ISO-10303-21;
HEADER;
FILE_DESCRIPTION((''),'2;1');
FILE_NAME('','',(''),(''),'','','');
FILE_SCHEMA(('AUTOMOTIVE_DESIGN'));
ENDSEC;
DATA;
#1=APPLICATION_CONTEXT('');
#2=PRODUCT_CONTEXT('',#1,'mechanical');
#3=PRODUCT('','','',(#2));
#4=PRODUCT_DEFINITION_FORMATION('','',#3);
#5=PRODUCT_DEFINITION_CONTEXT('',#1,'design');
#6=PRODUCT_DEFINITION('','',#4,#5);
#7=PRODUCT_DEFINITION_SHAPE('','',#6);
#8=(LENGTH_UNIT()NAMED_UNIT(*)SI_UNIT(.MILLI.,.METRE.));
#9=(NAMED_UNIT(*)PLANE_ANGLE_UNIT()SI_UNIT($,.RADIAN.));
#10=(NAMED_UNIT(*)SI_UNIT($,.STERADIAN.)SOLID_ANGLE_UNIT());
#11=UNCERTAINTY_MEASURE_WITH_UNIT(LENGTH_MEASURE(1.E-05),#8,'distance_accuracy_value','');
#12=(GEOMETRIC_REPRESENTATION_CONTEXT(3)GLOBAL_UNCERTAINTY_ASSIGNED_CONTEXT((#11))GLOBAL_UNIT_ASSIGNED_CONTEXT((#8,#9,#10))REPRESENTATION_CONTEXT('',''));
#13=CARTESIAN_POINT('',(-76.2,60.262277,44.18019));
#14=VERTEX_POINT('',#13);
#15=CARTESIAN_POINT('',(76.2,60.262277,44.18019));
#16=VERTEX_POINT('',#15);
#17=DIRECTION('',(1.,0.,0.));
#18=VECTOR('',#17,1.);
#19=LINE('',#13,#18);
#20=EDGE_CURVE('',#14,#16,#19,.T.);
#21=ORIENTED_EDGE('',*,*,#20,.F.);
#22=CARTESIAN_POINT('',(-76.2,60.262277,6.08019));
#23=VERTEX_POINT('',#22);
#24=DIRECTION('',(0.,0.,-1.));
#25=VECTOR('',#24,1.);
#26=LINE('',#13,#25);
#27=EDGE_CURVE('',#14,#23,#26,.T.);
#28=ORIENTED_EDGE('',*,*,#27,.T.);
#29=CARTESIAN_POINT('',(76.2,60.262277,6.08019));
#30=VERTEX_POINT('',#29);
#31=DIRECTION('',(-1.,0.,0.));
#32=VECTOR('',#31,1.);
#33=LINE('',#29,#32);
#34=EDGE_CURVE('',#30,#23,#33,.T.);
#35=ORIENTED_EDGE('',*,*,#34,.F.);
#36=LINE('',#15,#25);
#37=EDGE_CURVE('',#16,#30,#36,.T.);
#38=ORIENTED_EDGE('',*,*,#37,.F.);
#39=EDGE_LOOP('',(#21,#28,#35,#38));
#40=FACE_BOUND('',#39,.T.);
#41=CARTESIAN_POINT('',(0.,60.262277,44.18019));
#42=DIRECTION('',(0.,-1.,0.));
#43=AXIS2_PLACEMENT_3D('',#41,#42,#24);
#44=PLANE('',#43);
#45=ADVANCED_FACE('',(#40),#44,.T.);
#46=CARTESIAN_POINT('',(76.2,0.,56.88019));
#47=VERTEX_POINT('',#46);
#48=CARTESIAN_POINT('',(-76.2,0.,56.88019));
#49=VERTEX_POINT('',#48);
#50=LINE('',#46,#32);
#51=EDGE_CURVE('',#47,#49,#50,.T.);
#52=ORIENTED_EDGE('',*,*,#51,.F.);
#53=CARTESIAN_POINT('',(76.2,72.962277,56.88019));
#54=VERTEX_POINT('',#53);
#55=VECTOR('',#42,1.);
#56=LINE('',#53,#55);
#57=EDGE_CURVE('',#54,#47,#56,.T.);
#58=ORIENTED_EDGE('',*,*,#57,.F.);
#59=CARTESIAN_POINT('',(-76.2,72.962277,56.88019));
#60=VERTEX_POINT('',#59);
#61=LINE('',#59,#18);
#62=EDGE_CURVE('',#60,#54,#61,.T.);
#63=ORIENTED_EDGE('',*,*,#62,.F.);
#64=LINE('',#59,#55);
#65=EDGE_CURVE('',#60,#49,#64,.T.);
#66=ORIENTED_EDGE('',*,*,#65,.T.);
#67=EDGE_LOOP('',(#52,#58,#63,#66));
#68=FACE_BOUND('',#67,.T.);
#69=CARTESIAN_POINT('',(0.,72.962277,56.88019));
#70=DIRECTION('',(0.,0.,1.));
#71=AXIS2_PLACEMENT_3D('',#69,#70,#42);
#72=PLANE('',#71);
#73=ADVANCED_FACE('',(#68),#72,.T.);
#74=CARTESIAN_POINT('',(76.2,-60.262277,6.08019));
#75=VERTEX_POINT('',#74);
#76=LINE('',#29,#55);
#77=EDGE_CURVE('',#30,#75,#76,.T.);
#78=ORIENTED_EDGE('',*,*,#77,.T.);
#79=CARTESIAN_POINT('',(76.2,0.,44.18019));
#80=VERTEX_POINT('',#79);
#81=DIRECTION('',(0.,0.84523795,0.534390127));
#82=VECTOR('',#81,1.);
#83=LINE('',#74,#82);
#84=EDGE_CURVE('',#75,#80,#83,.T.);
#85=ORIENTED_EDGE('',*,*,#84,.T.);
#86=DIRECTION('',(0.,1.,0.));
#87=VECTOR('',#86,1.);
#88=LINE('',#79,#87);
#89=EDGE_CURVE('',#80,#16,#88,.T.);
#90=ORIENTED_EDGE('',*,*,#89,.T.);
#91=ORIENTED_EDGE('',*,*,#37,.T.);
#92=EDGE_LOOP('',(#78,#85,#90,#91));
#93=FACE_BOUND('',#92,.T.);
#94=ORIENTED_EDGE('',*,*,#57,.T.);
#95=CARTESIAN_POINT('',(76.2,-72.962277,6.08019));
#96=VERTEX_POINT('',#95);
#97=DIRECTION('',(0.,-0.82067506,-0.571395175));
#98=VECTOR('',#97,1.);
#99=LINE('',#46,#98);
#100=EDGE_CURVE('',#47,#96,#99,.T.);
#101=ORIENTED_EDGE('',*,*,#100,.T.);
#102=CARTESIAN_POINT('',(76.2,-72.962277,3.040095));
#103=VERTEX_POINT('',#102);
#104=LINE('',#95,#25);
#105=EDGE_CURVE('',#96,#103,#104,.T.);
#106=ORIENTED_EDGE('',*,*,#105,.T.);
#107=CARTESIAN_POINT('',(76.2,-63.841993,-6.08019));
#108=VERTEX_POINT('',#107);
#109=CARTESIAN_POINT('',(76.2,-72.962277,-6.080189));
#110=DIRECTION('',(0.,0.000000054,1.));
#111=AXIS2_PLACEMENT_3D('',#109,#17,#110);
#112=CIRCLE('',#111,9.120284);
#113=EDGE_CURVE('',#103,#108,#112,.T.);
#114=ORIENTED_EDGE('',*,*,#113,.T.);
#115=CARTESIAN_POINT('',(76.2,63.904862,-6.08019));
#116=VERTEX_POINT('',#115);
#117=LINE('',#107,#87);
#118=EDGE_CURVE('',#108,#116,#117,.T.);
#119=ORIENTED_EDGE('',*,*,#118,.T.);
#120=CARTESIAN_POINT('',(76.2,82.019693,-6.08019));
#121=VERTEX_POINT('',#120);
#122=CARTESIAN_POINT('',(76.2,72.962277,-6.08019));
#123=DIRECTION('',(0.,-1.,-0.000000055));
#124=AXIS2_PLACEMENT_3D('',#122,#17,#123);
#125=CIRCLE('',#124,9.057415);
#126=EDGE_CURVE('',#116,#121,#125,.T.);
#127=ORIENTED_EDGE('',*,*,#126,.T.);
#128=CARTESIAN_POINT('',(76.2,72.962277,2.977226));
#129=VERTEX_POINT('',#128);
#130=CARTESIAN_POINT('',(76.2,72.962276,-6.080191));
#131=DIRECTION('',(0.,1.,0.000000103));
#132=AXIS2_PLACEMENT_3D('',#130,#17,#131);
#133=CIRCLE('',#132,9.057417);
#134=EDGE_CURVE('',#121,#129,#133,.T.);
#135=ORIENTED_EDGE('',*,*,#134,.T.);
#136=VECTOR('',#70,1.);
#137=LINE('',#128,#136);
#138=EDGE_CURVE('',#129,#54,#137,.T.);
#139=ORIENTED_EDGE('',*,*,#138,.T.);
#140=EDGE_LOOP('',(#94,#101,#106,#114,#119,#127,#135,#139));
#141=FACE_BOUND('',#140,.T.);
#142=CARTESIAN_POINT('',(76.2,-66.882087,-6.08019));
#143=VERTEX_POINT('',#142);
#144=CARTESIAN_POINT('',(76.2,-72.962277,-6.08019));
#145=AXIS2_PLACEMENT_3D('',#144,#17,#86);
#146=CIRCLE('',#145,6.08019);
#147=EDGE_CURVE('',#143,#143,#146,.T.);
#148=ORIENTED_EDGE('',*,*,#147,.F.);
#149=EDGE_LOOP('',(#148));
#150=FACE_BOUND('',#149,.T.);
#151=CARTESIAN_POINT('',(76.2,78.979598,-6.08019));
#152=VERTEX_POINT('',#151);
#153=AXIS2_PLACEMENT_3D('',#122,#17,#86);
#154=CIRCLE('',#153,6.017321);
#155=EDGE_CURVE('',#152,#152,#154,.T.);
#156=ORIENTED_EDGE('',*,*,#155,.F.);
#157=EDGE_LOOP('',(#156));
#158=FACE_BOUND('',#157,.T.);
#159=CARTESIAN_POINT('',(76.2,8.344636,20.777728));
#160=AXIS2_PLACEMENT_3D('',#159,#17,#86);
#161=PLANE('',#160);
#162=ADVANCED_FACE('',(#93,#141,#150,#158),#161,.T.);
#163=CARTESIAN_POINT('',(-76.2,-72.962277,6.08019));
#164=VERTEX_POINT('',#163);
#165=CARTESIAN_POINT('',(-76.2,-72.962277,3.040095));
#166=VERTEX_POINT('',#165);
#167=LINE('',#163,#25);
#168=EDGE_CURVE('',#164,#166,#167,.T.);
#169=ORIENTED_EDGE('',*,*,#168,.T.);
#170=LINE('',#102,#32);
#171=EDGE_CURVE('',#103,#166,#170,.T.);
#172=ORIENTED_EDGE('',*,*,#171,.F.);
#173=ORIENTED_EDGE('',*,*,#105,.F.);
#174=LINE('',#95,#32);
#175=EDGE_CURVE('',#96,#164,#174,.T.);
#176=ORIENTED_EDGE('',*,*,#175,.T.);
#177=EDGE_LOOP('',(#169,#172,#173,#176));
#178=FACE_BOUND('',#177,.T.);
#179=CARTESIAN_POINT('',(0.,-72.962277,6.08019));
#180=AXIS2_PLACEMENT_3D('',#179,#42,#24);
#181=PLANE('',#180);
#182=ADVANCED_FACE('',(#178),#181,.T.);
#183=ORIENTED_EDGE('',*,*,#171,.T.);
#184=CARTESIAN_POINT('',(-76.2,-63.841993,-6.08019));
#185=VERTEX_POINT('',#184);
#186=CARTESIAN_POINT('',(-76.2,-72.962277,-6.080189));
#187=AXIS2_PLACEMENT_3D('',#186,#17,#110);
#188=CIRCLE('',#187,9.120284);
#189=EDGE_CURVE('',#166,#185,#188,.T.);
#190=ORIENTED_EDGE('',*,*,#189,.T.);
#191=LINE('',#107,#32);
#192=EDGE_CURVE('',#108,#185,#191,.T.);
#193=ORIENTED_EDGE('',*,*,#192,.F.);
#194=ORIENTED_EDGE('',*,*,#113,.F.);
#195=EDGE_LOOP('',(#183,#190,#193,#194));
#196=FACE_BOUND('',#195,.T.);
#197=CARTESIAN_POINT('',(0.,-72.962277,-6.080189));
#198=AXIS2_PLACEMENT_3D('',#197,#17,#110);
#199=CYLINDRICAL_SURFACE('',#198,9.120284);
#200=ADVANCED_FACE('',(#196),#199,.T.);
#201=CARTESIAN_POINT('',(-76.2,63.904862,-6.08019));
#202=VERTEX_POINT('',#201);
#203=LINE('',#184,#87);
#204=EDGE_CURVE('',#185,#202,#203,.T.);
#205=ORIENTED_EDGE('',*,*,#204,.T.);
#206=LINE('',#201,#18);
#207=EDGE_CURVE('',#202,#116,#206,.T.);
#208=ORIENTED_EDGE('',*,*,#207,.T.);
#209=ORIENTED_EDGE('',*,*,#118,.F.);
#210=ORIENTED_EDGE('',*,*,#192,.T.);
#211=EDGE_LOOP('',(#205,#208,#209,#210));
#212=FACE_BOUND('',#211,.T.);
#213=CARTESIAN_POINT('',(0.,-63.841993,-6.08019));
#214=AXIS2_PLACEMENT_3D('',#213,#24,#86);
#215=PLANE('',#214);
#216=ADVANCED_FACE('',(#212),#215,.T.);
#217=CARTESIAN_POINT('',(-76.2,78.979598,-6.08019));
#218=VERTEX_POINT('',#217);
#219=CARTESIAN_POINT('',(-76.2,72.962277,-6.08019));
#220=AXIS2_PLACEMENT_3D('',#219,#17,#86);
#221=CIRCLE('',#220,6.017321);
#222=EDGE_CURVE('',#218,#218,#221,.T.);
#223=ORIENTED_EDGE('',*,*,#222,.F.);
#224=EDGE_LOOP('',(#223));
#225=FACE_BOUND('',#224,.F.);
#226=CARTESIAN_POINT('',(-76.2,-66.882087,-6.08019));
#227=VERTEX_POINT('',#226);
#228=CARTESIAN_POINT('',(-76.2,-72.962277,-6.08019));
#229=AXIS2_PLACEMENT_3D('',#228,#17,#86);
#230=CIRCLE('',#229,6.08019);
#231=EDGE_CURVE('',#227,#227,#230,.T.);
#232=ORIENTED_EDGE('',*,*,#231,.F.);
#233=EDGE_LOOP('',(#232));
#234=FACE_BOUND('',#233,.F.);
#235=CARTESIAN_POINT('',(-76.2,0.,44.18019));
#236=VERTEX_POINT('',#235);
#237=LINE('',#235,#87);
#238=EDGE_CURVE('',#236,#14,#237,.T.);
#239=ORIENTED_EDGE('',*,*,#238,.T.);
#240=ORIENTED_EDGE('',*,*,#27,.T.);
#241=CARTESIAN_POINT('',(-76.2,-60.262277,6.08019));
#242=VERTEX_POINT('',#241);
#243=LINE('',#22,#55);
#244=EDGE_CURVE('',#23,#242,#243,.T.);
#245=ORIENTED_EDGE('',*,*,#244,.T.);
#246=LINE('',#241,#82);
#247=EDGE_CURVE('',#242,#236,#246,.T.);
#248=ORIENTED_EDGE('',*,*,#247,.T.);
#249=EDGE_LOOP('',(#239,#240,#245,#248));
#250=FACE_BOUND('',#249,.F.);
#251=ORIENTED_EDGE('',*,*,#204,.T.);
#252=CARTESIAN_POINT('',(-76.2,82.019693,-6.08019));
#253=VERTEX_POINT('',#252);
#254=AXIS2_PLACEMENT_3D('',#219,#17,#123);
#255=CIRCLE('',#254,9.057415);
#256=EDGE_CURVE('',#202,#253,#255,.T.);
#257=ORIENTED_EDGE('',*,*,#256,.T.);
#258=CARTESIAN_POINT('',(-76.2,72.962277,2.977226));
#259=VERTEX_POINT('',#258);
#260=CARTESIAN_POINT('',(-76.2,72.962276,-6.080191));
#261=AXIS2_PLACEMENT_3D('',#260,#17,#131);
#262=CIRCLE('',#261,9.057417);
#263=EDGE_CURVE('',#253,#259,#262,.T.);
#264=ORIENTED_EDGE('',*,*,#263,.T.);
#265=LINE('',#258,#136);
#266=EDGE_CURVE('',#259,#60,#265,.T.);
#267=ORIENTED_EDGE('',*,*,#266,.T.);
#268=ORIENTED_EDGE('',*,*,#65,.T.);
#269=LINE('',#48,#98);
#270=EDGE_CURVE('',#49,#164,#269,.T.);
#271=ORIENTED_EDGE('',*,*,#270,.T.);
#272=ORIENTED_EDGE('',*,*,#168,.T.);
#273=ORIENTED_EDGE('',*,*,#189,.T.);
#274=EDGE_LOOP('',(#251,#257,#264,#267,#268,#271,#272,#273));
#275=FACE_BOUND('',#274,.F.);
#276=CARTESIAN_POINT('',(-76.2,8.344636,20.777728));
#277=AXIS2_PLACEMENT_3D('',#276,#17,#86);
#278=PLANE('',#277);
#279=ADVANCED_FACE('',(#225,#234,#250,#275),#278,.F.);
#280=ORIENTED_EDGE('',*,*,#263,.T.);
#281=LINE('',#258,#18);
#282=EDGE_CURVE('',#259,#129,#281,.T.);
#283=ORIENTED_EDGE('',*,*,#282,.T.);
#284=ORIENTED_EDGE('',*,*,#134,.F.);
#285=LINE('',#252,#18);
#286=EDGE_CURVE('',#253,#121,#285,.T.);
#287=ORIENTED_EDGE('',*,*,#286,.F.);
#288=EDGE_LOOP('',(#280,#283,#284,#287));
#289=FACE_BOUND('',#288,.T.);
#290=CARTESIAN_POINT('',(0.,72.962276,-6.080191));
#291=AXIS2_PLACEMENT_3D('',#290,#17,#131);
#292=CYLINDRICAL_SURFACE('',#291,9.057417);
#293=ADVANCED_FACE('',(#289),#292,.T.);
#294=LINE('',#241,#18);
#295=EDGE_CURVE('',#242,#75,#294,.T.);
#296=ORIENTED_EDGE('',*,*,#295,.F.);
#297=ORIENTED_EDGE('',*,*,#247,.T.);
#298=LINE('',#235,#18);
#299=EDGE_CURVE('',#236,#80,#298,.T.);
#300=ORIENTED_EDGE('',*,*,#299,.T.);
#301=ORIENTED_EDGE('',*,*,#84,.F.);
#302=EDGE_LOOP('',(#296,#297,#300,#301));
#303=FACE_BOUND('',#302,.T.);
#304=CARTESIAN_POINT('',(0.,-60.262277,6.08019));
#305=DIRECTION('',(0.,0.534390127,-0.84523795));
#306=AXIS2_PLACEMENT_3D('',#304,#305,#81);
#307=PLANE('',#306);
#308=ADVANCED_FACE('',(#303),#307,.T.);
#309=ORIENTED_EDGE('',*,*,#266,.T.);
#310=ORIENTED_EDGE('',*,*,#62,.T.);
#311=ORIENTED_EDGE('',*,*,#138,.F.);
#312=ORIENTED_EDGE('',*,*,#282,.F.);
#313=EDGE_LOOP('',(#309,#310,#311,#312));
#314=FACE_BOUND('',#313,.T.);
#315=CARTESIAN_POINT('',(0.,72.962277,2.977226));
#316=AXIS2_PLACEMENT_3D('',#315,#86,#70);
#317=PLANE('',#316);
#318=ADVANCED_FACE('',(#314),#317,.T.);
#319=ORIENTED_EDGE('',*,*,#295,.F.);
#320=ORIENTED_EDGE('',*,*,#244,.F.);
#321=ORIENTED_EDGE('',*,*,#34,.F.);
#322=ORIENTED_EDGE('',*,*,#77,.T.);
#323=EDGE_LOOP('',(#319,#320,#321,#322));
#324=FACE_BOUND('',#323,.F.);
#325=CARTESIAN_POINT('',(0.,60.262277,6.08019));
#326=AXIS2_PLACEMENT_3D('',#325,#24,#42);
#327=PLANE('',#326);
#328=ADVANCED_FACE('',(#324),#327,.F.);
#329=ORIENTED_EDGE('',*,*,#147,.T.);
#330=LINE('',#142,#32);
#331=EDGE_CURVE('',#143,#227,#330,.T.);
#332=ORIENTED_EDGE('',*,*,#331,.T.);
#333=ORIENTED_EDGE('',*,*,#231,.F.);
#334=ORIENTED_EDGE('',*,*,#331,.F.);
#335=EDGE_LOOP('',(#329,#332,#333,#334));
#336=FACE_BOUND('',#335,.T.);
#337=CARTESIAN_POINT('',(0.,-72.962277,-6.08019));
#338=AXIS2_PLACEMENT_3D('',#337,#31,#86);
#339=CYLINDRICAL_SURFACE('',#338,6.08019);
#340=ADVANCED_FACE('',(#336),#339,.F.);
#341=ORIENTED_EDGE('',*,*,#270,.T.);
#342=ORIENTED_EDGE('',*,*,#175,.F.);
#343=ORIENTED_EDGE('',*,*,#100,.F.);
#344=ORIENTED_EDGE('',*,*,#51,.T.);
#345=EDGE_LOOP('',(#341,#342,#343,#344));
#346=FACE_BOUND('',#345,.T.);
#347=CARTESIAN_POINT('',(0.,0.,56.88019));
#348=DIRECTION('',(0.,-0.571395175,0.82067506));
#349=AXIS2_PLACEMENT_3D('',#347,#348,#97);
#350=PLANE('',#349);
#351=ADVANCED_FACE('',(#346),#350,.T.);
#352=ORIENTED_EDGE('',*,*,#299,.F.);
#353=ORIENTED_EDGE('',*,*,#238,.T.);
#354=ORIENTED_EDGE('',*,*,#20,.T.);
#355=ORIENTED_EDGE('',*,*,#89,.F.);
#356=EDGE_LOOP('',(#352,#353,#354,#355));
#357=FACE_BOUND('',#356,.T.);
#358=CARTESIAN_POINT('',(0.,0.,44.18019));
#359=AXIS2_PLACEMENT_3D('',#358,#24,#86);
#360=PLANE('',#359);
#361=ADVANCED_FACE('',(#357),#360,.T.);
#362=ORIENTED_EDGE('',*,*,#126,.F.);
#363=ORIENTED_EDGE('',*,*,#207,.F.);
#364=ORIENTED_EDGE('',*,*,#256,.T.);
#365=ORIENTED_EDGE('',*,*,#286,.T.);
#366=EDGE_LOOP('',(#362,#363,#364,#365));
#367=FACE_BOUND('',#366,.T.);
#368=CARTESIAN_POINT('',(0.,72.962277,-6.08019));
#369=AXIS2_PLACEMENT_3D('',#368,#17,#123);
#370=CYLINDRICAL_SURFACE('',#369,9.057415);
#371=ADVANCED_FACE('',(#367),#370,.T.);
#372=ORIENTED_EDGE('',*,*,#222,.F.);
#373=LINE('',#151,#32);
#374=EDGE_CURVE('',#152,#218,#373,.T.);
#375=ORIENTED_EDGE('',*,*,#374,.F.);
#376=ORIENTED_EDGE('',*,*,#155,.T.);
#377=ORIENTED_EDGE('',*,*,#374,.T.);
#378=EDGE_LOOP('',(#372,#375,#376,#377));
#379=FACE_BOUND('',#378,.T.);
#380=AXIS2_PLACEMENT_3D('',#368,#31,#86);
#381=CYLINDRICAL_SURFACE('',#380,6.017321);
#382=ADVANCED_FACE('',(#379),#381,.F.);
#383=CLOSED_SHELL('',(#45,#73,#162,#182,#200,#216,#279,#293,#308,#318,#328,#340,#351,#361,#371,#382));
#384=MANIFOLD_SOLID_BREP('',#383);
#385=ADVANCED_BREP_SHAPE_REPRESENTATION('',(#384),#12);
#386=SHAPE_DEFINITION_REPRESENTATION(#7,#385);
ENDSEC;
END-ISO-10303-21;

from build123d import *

# Parameters (mm, degrees)
F0_R     = 6.08019
F0_R_2   = 6.017321
F1_DEPTH = 76.2


with BuildPart() as f1:
    # F0 (on Right) → F1 (new body, symmetric)
    with BuildSketch(Plane.YZ):
        with BuildLine():
            Line((-60.801898, -6.08019), (60.801898, -6.08019))
            Line((60.801898, -6.08019), (63.904862, -6.08019))
            ThreePointArc((63.904862, -6.08019), (66.557717, 0.32437), (72.962277, 2.977226))
            Line((72.962277, 2.977226), (72.962277, 6.08019))
            Line((72.962277, 6.08019), (72.962277, 56.88019))
            Line((72.962277, 56.88019), (60.262277, 56.88019))
            Line((60.262277, 56.88019), (0, 56.88019))
            Line((0, 56.88019), (-72.962277, 6.08019))
            Line((-72.962277, 6.08019), (-72.962277, 3.040095))
            ThreePointArc((-72.962277, 3.040095), (-66.513262, 0.368825), (-63.841993, -6.08019))
            Line((-63.841993, -6.08019), (-60.801898, -6.08019))
        make_face()
        Polygon((60.262277, 44.18019), (60.262277, 6.08019), (-60.262277, 6.08019), (0, 44.18019), align=None, mode=Mode.SUBTRACT)
        with BuildLine():
            ThreePointArc((-72.962277, 3.040095), (-79.411292, -12.529205), (-63.841993, -6.08019))
            ThreePointArc((-63.841993, -6.08019), (-66.513262, 0.368825), (-72.962277, 3.040095))
        make_face()
        with Locations((-72.962277, -6.08019)):
            Circle(F0_R, mode=Mode.SUBTRACT)
        with BuildLine():
            ThreePointArc((72.962277, 2.977226), (66.557717, 0.32437), (63.904862, -6.08019))
            ThreePointArc((63.904862, -6.08019), (72.962277, -15.137605), (82.019693, -6.08019))
            ThreePointArc((82.019693, -6.08019), (79.366837, 0.32437), (72.962277, 2.977226))
        make_face()
        with Locations((72.962277, -6.08019)):
            Circle(F0_R_2, mode=Mode.SUBTRACT)
    extrude(amount=F1_DEPTH, both=True)


solid = f1.part
